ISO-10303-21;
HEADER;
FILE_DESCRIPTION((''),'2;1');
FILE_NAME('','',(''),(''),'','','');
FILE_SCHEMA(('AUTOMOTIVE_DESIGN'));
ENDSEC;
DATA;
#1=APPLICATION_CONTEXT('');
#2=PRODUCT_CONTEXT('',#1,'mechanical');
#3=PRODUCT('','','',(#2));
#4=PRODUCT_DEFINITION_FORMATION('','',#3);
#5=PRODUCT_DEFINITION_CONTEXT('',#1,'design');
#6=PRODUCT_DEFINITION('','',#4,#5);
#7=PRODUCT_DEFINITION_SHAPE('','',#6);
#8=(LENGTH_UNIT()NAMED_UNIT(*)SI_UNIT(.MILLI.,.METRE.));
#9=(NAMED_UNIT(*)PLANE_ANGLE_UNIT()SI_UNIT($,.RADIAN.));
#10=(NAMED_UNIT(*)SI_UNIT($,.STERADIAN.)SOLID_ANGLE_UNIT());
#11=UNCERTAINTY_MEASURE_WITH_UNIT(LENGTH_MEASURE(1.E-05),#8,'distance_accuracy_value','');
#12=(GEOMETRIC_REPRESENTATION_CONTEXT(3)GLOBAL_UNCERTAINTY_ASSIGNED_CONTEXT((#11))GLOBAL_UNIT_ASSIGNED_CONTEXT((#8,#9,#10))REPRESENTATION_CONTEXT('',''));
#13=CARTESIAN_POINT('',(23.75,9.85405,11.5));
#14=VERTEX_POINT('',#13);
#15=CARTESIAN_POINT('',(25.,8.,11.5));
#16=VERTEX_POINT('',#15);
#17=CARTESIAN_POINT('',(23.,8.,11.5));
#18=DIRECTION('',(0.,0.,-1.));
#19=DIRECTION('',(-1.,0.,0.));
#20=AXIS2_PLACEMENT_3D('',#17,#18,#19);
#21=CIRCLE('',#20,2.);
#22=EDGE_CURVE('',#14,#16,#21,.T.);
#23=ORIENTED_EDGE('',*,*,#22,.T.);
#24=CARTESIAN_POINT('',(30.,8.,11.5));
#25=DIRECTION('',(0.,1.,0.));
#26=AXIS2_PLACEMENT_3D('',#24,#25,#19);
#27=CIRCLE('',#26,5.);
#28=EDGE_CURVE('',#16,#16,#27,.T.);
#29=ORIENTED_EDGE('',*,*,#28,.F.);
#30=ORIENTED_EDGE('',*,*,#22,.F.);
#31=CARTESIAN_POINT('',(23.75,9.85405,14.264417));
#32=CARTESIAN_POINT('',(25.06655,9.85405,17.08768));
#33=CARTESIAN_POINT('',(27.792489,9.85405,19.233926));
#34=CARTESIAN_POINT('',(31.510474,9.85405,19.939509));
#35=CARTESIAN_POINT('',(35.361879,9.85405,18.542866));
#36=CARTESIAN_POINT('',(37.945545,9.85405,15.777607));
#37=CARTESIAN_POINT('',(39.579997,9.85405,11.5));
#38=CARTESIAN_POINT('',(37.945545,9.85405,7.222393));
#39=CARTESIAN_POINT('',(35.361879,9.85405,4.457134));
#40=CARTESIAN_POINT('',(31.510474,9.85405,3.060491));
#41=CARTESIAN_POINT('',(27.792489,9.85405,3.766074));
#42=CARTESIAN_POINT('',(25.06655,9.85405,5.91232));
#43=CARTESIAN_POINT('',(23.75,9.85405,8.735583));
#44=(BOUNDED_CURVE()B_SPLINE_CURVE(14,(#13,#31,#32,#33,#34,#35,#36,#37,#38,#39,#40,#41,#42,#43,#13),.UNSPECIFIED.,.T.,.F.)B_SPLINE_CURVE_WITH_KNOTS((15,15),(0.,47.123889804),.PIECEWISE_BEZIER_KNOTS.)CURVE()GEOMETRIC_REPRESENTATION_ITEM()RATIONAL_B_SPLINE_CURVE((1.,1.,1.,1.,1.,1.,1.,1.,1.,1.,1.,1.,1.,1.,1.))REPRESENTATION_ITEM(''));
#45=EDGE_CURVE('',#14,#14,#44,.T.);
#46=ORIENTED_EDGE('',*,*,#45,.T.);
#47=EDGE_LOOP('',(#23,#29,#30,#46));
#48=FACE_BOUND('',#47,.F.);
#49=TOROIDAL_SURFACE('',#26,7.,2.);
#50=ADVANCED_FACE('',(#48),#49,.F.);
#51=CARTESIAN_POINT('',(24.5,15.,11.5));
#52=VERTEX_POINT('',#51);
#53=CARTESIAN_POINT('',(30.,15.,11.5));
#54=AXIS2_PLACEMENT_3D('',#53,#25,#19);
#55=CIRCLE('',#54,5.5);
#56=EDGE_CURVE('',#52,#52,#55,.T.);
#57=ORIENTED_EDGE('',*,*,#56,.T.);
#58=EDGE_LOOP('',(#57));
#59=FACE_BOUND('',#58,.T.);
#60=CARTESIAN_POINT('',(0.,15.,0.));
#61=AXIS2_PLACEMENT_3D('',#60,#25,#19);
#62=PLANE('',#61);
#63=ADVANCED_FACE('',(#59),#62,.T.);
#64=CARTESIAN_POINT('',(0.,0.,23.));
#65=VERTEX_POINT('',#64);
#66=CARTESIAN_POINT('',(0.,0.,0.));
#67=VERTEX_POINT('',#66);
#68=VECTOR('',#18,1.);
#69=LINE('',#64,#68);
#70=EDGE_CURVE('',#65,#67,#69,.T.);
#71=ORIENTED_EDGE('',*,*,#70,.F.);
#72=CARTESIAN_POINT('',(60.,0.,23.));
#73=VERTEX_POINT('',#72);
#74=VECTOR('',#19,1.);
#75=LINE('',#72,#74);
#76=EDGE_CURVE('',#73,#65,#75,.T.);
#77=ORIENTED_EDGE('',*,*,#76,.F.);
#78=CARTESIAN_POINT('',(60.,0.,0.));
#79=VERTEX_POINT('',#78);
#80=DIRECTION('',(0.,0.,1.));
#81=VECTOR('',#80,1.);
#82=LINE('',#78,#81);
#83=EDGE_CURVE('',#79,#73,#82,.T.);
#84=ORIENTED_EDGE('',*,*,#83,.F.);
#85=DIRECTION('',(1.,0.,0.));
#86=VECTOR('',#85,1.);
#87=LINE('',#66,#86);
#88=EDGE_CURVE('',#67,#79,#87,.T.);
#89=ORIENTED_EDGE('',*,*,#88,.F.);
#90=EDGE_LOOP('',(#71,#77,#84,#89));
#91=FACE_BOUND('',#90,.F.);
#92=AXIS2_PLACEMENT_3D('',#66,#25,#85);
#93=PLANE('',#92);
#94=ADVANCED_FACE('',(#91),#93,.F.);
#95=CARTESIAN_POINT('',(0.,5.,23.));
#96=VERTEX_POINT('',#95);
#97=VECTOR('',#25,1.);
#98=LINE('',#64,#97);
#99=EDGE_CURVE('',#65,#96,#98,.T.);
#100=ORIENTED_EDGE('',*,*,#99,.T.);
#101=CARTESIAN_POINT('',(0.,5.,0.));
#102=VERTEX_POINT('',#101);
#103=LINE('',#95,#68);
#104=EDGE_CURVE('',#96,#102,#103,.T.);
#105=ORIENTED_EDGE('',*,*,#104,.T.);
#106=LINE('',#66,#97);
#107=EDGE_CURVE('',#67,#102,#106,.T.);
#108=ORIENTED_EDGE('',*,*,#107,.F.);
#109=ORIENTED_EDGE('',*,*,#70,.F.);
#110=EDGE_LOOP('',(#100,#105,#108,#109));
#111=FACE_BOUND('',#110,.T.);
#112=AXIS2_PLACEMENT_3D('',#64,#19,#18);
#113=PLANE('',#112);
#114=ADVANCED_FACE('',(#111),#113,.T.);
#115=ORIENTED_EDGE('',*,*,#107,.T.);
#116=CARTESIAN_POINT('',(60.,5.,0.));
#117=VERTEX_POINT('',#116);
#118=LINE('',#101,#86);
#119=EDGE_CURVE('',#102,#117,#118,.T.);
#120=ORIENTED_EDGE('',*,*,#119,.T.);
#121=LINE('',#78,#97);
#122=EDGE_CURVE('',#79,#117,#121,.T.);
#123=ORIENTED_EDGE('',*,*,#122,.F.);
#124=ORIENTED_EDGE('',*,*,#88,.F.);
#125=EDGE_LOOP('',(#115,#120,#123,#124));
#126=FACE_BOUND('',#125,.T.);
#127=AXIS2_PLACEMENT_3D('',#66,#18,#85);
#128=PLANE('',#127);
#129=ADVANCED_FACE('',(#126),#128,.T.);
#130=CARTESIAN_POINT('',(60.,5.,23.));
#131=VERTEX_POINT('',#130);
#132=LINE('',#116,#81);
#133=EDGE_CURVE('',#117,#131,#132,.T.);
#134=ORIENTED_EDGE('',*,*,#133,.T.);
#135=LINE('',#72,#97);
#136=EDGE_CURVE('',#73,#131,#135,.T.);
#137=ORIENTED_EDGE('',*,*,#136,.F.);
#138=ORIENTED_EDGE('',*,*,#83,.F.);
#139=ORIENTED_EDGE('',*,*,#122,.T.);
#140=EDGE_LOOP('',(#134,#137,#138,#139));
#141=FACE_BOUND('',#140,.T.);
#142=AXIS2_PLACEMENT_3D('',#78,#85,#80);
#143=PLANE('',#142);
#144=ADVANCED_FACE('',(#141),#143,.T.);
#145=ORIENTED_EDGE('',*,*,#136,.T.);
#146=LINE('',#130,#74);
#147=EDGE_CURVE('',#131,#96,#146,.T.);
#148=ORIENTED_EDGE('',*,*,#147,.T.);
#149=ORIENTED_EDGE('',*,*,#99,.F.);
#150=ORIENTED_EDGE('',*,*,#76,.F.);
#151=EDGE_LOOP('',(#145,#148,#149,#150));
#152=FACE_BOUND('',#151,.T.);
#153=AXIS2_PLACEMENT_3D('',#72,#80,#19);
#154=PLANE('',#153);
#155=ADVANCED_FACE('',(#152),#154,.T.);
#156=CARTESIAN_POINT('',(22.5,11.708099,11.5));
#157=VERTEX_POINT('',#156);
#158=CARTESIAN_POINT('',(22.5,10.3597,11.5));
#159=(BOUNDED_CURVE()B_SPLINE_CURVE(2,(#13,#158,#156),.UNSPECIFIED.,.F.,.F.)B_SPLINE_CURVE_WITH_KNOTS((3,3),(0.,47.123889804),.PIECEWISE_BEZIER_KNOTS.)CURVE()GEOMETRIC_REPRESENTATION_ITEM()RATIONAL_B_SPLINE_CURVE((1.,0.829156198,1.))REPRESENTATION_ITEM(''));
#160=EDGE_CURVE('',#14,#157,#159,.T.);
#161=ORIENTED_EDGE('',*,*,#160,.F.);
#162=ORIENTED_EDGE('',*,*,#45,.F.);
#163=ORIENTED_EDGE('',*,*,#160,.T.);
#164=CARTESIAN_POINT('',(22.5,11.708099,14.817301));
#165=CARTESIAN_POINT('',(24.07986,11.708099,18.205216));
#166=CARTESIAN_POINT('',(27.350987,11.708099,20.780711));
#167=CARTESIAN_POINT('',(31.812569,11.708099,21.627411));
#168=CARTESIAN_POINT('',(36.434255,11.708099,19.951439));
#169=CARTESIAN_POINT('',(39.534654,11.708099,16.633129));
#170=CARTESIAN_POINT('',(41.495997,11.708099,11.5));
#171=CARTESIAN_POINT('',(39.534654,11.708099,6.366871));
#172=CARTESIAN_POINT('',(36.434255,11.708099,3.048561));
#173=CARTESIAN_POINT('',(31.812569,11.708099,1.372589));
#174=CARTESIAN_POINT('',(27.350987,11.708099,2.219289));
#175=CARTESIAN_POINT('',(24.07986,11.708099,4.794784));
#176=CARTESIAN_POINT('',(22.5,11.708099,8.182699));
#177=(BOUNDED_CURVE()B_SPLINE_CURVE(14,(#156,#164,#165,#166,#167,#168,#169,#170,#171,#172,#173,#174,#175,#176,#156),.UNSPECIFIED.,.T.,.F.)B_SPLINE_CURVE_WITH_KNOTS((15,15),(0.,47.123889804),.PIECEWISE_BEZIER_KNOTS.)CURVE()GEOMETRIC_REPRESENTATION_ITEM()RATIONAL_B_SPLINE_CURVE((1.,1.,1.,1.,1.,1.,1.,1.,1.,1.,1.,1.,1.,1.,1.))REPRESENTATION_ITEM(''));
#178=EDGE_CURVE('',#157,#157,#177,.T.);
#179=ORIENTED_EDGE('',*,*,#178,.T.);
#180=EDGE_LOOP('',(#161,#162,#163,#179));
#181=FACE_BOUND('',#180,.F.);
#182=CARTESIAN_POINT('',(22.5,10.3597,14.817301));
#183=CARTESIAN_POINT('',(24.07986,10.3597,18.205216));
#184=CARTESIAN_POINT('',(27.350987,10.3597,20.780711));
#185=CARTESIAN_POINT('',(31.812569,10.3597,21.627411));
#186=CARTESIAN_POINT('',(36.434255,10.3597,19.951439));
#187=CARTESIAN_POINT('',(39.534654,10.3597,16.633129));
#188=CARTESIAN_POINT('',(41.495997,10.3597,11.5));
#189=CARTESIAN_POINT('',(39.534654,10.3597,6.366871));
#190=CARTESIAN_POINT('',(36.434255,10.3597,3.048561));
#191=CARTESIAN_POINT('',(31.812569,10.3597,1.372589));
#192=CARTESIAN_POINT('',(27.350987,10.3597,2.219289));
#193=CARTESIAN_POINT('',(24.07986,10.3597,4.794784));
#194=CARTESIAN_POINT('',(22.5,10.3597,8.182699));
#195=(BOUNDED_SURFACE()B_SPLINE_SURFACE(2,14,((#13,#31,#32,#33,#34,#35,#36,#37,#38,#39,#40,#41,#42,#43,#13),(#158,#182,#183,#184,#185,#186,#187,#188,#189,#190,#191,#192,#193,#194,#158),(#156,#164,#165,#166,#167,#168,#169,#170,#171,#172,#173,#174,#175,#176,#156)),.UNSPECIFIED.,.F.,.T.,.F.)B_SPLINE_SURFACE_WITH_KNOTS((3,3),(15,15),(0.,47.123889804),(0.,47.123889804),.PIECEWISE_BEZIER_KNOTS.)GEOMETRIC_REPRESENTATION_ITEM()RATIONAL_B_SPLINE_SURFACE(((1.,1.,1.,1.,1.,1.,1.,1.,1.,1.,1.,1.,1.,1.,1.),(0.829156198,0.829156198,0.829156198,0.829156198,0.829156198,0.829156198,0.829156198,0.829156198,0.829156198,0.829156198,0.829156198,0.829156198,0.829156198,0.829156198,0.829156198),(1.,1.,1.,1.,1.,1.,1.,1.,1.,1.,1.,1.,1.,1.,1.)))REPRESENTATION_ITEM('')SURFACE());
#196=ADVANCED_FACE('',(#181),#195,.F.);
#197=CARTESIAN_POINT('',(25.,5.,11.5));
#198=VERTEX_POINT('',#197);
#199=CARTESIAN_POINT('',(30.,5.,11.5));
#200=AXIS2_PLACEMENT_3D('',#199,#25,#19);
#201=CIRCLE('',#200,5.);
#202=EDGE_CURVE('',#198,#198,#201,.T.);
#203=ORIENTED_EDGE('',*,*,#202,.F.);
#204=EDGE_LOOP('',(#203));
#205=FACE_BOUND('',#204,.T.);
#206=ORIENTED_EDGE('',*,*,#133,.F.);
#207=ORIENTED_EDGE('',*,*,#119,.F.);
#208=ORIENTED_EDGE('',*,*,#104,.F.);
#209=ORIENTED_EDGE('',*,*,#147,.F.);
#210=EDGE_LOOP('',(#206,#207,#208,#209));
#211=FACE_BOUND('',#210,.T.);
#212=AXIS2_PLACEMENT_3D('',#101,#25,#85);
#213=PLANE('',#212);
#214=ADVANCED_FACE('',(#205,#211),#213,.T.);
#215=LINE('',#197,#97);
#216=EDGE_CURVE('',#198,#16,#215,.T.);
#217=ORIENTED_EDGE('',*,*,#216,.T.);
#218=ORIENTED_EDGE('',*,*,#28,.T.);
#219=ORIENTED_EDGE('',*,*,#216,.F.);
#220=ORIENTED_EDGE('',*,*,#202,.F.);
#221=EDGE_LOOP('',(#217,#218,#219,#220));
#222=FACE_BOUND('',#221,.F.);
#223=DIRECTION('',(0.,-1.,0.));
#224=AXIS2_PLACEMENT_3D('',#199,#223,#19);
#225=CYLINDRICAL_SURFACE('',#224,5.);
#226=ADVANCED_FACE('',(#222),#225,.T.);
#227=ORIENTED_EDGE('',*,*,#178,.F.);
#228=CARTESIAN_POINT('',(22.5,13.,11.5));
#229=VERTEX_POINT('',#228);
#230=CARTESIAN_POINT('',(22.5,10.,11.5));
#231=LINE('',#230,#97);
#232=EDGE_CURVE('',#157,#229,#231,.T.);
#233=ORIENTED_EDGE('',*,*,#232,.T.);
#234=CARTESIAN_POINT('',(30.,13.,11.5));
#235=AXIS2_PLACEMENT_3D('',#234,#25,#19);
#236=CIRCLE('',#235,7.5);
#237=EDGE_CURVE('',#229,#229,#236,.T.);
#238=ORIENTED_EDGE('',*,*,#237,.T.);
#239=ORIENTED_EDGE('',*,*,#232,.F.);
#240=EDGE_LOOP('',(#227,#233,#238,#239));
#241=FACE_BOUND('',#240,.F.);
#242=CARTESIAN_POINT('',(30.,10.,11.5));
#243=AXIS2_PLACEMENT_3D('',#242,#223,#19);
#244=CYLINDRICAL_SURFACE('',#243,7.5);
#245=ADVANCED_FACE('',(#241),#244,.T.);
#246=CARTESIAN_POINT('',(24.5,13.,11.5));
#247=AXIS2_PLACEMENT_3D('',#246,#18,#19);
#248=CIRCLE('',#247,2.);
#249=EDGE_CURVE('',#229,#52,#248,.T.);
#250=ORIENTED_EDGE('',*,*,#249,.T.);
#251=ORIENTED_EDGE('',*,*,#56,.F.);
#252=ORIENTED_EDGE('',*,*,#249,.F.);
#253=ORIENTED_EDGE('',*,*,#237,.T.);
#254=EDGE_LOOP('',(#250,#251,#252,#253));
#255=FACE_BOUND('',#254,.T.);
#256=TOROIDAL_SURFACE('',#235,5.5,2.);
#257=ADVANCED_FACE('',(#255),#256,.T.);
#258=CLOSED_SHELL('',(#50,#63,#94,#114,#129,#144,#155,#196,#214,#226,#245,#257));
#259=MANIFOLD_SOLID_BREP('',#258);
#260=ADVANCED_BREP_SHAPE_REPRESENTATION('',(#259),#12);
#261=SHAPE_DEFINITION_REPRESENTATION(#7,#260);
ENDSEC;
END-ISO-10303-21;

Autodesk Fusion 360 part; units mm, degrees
sketch "Sketch1" plane through (0, 0, 0) normal (0, 1, 0) x (1, 0, 0)
  line L0 (0, 0) -> (60, 0)
  line L1 (60, 0) -> (60, -23)
  line L2 (60, -23) -> (0, -23)
  line L3 (0, -23) -> (0, 0)
  dimension "d1" = 60
  dimension "d2" = 23
extrude "Extrude1" add sketch "Sketch1" along normal blind 5
sketch "Sketch2" plane through (0, 5, 0) normal (0, 1, 0) x (-1, 0, 0)
  line L0 (0, 23) -> (-60, 23)
  line L1 (-60, 23) -> (-60, 0)
  line L2 (-60, 0) -> (0, 0)
  line L3 (0, 0) -> (0, 23)
  circle A0 centre (-30, 11.5) radius 5
  dimension "d5" = 10
extrude "Extrude2" add sketch "Sketch2" along normal blind 5 contours A0
sketch "Sketch3" plane through (0, 10, 0) normal (0, 1, 0) x (-1, 0, 0)
  circle A0 centre (-30, 11.5) radius 5
  circle A1 centre (-30, 11.5) radius 7.5
  dimension "d8" = 15
extrude "Extrude3" add sketch "Sketch3" along normal blind 5 contours A0 | A1
fillet "Fillet1" radius 2 1 edges at (34.6616, 10, 9.6919)
fillet "Fillet2" radius 2 2 edges at (36.9925, 10, 8.7879) (36.9925, 15, 8.7879)
